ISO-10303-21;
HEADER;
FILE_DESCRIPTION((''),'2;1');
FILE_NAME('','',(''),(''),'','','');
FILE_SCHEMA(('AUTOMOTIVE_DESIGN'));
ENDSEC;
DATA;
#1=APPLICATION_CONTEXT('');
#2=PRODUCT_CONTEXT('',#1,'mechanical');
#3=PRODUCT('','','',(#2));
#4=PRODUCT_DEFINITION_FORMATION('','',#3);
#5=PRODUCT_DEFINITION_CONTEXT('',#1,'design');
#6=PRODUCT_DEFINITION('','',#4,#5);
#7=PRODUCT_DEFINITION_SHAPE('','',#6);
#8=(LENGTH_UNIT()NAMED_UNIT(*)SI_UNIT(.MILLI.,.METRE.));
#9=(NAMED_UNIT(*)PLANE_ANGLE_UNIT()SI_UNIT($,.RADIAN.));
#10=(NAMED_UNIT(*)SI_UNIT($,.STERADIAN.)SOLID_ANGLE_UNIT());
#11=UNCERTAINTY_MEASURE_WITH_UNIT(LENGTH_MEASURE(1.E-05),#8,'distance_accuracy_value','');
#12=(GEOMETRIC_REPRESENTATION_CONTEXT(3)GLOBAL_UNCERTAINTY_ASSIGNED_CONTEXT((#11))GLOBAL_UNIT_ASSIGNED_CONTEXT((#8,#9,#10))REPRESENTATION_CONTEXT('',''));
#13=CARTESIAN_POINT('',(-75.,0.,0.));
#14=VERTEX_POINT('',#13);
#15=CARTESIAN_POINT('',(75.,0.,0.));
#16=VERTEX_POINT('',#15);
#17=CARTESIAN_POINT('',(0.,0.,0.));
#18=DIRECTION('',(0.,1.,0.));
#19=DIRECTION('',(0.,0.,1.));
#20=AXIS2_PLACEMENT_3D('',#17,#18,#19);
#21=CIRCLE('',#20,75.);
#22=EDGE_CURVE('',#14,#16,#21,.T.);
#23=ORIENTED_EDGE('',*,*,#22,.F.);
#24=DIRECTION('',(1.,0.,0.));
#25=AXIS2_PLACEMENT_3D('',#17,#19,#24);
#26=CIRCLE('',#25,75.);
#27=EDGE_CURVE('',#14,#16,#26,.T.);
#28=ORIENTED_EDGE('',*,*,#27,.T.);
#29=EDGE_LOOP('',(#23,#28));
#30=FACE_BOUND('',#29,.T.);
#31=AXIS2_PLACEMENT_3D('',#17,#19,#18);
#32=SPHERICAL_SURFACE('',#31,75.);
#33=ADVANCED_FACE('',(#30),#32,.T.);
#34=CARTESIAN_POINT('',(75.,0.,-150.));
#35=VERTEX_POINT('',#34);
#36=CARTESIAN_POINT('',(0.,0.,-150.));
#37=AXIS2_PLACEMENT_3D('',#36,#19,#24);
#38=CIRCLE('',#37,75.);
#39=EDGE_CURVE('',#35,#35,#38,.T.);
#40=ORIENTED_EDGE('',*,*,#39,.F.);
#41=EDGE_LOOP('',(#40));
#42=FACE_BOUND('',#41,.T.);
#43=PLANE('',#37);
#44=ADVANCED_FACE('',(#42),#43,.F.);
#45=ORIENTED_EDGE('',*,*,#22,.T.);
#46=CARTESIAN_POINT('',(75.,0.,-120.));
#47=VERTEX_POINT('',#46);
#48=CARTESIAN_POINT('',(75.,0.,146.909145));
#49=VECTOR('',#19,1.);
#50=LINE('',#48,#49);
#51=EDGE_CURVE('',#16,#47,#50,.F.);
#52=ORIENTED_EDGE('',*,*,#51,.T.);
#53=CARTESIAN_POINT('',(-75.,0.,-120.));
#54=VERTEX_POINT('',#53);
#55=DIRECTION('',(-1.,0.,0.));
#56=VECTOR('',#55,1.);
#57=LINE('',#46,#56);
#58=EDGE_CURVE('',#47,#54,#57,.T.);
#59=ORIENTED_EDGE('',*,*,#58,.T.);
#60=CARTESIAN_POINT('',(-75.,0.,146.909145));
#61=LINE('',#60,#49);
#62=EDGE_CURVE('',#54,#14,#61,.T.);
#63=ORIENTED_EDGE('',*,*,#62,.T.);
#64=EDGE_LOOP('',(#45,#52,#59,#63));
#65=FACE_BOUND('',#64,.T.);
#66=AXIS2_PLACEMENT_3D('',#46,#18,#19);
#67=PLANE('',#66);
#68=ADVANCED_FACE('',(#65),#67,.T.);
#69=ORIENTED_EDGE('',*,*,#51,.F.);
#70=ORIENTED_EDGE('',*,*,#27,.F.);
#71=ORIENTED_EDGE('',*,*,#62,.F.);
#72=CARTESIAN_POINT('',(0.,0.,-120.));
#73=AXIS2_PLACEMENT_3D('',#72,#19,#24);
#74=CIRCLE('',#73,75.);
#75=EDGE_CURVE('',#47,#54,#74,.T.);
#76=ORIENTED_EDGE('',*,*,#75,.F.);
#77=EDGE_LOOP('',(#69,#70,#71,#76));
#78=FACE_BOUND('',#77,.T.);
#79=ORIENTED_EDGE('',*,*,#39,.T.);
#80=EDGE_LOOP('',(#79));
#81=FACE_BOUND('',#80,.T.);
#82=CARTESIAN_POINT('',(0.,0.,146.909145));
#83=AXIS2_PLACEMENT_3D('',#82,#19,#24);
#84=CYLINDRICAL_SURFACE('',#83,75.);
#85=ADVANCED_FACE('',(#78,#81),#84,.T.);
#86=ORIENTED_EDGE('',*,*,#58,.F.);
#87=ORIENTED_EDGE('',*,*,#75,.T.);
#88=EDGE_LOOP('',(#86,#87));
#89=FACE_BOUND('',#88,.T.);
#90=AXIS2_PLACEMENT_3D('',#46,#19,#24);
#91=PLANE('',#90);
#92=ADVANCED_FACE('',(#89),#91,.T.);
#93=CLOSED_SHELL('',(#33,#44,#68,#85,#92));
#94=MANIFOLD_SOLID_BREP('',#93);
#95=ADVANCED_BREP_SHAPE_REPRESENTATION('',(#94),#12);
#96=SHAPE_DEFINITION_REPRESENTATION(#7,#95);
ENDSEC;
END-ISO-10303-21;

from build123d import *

# Parameters (mm, degrees)
CUT_EXTRUDE1_DEPTH      = 76
CUT_EXTRUDE1_DEPTH_BACK = 76


with BuildPart() as part:
    # Sketch1 → Revolve1 (revolve)
    with BuildSketch(Plane(origin=(0, 0, 0), x_dir=(0, 0, -1), z_dir=(1, 0, 0))):
        with BuildLine():
            Line((150, 0), (-75, 0))
            ThreePointArc((-75, 0), (-53.033008589, 53.033008589), (0, 75))
            Line((0, 75), (150, 75))
            Line((150, 75), (150, 0))
        make_face()
    revolve(axis=Axis((0, 0, 146.909145291), (0, 0, -1)))

    # Sketch2 → Cut-Extrude1 (cut, two sides)
    with BuildSketch(Plane(origin=(0, 0, 0), x_dir=(0, 0, -1), z_dir=(1, 0, 0))) as cut_extrude1_sk:
        with BuildLine():
            Line((120, 0), (120, 75))
            Line((120, 75), (0, 75))
            ThreePointArc((0, 75), (-53.033008589, 53.033008589), (-75, 0))
            Line((-75, 0), (120, 0))
        make_face()
    extrude(amount=CUT_EXTRUDE1_DEPTH, mode=Mode.SUBTRACT)
    extrude(cut_extrude1_sk.sketch, amount=-CUT_EXTRUDE1_DEPTH_BACK, mode=Mode.SUBTRACT)


solid = part.part
